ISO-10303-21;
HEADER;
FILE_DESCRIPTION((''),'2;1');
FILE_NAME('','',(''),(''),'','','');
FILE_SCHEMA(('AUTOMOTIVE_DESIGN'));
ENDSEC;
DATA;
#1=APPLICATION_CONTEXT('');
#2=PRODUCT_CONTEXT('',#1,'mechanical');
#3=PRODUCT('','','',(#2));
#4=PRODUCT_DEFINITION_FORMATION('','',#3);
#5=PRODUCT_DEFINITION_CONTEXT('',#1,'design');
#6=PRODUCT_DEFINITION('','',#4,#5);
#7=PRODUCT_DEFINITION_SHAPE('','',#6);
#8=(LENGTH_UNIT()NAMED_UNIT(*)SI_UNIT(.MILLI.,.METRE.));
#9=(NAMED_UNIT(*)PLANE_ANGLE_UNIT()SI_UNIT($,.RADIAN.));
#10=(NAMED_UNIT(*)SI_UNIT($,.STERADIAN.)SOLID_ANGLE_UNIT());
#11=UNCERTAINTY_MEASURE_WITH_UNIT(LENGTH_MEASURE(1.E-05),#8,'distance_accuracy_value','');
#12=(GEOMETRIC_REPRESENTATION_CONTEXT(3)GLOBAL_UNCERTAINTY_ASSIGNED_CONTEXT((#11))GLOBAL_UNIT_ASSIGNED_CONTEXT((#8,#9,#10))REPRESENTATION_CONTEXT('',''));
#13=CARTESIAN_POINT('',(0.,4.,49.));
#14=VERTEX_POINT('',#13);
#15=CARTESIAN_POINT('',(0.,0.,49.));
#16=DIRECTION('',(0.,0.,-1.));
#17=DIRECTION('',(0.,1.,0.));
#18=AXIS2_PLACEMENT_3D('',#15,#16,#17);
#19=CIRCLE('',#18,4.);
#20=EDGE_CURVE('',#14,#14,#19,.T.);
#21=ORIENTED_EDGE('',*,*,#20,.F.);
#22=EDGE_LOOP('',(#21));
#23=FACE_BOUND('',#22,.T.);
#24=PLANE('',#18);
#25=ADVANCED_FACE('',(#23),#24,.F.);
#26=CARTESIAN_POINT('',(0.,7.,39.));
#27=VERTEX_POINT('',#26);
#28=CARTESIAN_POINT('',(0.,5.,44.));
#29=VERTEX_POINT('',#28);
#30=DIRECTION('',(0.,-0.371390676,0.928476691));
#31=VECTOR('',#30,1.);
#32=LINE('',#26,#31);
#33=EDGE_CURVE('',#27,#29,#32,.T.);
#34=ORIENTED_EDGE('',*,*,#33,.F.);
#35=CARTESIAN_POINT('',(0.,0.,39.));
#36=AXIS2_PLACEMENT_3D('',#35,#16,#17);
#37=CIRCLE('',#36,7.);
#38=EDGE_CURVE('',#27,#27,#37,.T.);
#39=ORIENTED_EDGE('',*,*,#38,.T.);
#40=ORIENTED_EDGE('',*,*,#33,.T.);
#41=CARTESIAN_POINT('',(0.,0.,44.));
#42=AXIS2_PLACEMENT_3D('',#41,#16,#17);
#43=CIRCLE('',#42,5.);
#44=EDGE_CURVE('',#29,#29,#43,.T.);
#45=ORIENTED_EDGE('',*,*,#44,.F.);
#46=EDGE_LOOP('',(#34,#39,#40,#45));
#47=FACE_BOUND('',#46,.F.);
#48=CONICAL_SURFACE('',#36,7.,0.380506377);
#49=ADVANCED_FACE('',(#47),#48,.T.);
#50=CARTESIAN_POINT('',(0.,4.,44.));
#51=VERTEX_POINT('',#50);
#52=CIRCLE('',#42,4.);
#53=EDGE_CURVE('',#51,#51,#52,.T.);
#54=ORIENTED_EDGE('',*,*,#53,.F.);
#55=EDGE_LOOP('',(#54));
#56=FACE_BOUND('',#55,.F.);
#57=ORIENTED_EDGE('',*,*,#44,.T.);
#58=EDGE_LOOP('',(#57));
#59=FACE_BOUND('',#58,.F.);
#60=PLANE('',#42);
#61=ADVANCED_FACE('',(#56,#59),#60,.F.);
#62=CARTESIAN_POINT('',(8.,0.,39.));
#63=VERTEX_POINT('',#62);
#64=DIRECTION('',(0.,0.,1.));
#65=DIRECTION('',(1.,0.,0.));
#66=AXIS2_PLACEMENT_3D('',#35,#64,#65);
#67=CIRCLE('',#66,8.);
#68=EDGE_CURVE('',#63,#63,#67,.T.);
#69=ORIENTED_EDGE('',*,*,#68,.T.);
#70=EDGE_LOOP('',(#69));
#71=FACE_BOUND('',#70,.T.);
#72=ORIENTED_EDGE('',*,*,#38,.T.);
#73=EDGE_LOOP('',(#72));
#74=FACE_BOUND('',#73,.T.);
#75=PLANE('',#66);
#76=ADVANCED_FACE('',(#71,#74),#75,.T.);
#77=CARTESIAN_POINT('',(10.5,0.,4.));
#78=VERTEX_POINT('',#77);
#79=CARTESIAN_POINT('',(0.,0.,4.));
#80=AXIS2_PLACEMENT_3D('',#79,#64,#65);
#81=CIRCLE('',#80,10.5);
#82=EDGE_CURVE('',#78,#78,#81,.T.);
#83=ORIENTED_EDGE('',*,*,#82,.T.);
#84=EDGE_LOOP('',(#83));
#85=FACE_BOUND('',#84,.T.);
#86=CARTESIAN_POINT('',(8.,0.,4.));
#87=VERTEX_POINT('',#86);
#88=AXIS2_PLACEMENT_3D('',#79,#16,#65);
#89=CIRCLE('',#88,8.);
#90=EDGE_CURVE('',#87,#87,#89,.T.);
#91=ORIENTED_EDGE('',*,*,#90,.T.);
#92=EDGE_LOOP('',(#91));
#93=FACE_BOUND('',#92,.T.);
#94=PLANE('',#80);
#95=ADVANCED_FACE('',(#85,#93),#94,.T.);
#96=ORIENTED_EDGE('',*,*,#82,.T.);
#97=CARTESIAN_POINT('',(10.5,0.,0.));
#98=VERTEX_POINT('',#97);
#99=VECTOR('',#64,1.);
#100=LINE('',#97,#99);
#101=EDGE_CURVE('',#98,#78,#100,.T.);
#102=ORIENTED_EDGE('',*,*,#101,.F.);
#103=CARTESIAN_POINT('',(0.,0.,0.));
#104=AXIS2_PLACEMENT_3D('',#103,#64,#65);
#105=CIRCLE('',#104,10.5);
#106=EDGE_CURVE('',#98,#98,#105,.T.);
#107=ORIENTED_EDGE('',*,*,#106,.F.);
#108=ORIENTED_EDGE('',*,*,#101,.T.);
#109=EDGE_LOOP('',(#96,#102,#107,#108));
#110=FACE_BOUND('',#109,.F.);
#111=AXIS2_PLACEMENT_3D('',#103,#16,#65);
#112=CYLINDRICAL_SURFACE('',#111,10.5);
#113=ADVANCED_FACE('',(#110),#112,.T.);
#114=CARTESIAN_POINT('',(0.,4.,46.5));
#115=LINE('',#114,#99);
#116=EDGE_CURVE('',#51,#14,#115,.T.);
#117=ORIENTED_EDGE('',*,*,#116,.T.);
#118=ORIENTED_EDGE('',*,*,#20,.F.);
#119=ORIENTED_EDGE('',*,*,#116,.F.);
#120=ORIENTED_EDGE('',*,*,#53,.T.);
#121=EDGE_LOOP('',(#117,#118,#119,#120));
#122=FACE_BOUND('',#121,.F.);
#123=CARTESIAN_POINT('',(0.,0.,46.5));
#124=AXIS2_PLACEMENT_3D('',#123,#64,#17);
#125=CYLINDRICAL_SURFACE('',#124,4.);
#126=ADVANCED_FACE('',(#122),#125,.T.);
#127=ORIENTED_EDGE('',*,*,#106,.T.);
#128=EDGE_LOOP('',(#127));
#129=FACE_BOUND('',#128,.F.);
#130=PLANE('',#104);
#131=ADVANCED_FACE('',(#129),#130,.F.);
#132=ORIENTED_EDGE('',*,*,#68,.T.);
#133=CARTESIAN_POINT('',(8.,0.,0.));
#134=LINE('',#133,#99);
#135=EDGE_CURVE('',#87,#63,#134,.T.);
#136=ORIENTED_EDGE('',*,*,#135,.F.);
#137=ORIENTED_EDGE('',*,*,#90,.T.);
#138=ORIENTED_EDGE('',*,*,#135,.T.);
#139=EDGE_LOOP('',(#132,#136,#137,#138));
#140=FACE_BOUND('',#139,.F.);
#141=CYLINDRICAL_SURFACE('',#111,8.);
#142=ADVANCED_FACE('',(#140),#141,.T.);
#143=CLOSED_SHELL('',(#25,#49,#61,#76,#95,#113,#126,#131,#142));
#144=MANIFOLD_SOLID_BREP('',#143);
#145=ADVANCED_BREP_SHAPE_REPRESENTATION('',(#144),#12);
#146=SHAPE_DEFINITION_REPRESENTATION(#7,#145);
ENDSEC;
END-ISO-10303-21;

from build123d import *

# Parameters (mm, degrees)
F0_R     = 10.5
F1_DEPTH = 4
F2_R     = 8
F3_DEPTH = 39
F6_W     = 4
F6_H     = 5


with BuildPart() as f1:
    # F0 (on Top) → F1 (new body)
    with BuildSketch(Plane.XY):
        Circle(F0_R)
    extrude(amount=F1_DEPTH)

    # F2 (on Top) → F3 (join)
    with BuildSketch(Plane.XY):
        Circle(F2_R)
    extrude(amount=F3_DEPTH)

    # F4 (on Right) → F5 (revolve)
    with BuildSketch(Plane.YZ):
        Polygon((5, 44), (0, 44), (0, 39), (7, 39), align=None)
    revolve(axis=Axis((0, 0, 41.5), (0, 0, -1)))

    # F6 (on Right) → F7 (revolve)
    with BuildSketch(Plane.YZ):
        with Locations((2, 46.5)):
            Rectangle(F6_W, F6_H)
    revolve(axis=Axis((0, 0, 46.5), (0, 0, -1)))


solid = f1.part
